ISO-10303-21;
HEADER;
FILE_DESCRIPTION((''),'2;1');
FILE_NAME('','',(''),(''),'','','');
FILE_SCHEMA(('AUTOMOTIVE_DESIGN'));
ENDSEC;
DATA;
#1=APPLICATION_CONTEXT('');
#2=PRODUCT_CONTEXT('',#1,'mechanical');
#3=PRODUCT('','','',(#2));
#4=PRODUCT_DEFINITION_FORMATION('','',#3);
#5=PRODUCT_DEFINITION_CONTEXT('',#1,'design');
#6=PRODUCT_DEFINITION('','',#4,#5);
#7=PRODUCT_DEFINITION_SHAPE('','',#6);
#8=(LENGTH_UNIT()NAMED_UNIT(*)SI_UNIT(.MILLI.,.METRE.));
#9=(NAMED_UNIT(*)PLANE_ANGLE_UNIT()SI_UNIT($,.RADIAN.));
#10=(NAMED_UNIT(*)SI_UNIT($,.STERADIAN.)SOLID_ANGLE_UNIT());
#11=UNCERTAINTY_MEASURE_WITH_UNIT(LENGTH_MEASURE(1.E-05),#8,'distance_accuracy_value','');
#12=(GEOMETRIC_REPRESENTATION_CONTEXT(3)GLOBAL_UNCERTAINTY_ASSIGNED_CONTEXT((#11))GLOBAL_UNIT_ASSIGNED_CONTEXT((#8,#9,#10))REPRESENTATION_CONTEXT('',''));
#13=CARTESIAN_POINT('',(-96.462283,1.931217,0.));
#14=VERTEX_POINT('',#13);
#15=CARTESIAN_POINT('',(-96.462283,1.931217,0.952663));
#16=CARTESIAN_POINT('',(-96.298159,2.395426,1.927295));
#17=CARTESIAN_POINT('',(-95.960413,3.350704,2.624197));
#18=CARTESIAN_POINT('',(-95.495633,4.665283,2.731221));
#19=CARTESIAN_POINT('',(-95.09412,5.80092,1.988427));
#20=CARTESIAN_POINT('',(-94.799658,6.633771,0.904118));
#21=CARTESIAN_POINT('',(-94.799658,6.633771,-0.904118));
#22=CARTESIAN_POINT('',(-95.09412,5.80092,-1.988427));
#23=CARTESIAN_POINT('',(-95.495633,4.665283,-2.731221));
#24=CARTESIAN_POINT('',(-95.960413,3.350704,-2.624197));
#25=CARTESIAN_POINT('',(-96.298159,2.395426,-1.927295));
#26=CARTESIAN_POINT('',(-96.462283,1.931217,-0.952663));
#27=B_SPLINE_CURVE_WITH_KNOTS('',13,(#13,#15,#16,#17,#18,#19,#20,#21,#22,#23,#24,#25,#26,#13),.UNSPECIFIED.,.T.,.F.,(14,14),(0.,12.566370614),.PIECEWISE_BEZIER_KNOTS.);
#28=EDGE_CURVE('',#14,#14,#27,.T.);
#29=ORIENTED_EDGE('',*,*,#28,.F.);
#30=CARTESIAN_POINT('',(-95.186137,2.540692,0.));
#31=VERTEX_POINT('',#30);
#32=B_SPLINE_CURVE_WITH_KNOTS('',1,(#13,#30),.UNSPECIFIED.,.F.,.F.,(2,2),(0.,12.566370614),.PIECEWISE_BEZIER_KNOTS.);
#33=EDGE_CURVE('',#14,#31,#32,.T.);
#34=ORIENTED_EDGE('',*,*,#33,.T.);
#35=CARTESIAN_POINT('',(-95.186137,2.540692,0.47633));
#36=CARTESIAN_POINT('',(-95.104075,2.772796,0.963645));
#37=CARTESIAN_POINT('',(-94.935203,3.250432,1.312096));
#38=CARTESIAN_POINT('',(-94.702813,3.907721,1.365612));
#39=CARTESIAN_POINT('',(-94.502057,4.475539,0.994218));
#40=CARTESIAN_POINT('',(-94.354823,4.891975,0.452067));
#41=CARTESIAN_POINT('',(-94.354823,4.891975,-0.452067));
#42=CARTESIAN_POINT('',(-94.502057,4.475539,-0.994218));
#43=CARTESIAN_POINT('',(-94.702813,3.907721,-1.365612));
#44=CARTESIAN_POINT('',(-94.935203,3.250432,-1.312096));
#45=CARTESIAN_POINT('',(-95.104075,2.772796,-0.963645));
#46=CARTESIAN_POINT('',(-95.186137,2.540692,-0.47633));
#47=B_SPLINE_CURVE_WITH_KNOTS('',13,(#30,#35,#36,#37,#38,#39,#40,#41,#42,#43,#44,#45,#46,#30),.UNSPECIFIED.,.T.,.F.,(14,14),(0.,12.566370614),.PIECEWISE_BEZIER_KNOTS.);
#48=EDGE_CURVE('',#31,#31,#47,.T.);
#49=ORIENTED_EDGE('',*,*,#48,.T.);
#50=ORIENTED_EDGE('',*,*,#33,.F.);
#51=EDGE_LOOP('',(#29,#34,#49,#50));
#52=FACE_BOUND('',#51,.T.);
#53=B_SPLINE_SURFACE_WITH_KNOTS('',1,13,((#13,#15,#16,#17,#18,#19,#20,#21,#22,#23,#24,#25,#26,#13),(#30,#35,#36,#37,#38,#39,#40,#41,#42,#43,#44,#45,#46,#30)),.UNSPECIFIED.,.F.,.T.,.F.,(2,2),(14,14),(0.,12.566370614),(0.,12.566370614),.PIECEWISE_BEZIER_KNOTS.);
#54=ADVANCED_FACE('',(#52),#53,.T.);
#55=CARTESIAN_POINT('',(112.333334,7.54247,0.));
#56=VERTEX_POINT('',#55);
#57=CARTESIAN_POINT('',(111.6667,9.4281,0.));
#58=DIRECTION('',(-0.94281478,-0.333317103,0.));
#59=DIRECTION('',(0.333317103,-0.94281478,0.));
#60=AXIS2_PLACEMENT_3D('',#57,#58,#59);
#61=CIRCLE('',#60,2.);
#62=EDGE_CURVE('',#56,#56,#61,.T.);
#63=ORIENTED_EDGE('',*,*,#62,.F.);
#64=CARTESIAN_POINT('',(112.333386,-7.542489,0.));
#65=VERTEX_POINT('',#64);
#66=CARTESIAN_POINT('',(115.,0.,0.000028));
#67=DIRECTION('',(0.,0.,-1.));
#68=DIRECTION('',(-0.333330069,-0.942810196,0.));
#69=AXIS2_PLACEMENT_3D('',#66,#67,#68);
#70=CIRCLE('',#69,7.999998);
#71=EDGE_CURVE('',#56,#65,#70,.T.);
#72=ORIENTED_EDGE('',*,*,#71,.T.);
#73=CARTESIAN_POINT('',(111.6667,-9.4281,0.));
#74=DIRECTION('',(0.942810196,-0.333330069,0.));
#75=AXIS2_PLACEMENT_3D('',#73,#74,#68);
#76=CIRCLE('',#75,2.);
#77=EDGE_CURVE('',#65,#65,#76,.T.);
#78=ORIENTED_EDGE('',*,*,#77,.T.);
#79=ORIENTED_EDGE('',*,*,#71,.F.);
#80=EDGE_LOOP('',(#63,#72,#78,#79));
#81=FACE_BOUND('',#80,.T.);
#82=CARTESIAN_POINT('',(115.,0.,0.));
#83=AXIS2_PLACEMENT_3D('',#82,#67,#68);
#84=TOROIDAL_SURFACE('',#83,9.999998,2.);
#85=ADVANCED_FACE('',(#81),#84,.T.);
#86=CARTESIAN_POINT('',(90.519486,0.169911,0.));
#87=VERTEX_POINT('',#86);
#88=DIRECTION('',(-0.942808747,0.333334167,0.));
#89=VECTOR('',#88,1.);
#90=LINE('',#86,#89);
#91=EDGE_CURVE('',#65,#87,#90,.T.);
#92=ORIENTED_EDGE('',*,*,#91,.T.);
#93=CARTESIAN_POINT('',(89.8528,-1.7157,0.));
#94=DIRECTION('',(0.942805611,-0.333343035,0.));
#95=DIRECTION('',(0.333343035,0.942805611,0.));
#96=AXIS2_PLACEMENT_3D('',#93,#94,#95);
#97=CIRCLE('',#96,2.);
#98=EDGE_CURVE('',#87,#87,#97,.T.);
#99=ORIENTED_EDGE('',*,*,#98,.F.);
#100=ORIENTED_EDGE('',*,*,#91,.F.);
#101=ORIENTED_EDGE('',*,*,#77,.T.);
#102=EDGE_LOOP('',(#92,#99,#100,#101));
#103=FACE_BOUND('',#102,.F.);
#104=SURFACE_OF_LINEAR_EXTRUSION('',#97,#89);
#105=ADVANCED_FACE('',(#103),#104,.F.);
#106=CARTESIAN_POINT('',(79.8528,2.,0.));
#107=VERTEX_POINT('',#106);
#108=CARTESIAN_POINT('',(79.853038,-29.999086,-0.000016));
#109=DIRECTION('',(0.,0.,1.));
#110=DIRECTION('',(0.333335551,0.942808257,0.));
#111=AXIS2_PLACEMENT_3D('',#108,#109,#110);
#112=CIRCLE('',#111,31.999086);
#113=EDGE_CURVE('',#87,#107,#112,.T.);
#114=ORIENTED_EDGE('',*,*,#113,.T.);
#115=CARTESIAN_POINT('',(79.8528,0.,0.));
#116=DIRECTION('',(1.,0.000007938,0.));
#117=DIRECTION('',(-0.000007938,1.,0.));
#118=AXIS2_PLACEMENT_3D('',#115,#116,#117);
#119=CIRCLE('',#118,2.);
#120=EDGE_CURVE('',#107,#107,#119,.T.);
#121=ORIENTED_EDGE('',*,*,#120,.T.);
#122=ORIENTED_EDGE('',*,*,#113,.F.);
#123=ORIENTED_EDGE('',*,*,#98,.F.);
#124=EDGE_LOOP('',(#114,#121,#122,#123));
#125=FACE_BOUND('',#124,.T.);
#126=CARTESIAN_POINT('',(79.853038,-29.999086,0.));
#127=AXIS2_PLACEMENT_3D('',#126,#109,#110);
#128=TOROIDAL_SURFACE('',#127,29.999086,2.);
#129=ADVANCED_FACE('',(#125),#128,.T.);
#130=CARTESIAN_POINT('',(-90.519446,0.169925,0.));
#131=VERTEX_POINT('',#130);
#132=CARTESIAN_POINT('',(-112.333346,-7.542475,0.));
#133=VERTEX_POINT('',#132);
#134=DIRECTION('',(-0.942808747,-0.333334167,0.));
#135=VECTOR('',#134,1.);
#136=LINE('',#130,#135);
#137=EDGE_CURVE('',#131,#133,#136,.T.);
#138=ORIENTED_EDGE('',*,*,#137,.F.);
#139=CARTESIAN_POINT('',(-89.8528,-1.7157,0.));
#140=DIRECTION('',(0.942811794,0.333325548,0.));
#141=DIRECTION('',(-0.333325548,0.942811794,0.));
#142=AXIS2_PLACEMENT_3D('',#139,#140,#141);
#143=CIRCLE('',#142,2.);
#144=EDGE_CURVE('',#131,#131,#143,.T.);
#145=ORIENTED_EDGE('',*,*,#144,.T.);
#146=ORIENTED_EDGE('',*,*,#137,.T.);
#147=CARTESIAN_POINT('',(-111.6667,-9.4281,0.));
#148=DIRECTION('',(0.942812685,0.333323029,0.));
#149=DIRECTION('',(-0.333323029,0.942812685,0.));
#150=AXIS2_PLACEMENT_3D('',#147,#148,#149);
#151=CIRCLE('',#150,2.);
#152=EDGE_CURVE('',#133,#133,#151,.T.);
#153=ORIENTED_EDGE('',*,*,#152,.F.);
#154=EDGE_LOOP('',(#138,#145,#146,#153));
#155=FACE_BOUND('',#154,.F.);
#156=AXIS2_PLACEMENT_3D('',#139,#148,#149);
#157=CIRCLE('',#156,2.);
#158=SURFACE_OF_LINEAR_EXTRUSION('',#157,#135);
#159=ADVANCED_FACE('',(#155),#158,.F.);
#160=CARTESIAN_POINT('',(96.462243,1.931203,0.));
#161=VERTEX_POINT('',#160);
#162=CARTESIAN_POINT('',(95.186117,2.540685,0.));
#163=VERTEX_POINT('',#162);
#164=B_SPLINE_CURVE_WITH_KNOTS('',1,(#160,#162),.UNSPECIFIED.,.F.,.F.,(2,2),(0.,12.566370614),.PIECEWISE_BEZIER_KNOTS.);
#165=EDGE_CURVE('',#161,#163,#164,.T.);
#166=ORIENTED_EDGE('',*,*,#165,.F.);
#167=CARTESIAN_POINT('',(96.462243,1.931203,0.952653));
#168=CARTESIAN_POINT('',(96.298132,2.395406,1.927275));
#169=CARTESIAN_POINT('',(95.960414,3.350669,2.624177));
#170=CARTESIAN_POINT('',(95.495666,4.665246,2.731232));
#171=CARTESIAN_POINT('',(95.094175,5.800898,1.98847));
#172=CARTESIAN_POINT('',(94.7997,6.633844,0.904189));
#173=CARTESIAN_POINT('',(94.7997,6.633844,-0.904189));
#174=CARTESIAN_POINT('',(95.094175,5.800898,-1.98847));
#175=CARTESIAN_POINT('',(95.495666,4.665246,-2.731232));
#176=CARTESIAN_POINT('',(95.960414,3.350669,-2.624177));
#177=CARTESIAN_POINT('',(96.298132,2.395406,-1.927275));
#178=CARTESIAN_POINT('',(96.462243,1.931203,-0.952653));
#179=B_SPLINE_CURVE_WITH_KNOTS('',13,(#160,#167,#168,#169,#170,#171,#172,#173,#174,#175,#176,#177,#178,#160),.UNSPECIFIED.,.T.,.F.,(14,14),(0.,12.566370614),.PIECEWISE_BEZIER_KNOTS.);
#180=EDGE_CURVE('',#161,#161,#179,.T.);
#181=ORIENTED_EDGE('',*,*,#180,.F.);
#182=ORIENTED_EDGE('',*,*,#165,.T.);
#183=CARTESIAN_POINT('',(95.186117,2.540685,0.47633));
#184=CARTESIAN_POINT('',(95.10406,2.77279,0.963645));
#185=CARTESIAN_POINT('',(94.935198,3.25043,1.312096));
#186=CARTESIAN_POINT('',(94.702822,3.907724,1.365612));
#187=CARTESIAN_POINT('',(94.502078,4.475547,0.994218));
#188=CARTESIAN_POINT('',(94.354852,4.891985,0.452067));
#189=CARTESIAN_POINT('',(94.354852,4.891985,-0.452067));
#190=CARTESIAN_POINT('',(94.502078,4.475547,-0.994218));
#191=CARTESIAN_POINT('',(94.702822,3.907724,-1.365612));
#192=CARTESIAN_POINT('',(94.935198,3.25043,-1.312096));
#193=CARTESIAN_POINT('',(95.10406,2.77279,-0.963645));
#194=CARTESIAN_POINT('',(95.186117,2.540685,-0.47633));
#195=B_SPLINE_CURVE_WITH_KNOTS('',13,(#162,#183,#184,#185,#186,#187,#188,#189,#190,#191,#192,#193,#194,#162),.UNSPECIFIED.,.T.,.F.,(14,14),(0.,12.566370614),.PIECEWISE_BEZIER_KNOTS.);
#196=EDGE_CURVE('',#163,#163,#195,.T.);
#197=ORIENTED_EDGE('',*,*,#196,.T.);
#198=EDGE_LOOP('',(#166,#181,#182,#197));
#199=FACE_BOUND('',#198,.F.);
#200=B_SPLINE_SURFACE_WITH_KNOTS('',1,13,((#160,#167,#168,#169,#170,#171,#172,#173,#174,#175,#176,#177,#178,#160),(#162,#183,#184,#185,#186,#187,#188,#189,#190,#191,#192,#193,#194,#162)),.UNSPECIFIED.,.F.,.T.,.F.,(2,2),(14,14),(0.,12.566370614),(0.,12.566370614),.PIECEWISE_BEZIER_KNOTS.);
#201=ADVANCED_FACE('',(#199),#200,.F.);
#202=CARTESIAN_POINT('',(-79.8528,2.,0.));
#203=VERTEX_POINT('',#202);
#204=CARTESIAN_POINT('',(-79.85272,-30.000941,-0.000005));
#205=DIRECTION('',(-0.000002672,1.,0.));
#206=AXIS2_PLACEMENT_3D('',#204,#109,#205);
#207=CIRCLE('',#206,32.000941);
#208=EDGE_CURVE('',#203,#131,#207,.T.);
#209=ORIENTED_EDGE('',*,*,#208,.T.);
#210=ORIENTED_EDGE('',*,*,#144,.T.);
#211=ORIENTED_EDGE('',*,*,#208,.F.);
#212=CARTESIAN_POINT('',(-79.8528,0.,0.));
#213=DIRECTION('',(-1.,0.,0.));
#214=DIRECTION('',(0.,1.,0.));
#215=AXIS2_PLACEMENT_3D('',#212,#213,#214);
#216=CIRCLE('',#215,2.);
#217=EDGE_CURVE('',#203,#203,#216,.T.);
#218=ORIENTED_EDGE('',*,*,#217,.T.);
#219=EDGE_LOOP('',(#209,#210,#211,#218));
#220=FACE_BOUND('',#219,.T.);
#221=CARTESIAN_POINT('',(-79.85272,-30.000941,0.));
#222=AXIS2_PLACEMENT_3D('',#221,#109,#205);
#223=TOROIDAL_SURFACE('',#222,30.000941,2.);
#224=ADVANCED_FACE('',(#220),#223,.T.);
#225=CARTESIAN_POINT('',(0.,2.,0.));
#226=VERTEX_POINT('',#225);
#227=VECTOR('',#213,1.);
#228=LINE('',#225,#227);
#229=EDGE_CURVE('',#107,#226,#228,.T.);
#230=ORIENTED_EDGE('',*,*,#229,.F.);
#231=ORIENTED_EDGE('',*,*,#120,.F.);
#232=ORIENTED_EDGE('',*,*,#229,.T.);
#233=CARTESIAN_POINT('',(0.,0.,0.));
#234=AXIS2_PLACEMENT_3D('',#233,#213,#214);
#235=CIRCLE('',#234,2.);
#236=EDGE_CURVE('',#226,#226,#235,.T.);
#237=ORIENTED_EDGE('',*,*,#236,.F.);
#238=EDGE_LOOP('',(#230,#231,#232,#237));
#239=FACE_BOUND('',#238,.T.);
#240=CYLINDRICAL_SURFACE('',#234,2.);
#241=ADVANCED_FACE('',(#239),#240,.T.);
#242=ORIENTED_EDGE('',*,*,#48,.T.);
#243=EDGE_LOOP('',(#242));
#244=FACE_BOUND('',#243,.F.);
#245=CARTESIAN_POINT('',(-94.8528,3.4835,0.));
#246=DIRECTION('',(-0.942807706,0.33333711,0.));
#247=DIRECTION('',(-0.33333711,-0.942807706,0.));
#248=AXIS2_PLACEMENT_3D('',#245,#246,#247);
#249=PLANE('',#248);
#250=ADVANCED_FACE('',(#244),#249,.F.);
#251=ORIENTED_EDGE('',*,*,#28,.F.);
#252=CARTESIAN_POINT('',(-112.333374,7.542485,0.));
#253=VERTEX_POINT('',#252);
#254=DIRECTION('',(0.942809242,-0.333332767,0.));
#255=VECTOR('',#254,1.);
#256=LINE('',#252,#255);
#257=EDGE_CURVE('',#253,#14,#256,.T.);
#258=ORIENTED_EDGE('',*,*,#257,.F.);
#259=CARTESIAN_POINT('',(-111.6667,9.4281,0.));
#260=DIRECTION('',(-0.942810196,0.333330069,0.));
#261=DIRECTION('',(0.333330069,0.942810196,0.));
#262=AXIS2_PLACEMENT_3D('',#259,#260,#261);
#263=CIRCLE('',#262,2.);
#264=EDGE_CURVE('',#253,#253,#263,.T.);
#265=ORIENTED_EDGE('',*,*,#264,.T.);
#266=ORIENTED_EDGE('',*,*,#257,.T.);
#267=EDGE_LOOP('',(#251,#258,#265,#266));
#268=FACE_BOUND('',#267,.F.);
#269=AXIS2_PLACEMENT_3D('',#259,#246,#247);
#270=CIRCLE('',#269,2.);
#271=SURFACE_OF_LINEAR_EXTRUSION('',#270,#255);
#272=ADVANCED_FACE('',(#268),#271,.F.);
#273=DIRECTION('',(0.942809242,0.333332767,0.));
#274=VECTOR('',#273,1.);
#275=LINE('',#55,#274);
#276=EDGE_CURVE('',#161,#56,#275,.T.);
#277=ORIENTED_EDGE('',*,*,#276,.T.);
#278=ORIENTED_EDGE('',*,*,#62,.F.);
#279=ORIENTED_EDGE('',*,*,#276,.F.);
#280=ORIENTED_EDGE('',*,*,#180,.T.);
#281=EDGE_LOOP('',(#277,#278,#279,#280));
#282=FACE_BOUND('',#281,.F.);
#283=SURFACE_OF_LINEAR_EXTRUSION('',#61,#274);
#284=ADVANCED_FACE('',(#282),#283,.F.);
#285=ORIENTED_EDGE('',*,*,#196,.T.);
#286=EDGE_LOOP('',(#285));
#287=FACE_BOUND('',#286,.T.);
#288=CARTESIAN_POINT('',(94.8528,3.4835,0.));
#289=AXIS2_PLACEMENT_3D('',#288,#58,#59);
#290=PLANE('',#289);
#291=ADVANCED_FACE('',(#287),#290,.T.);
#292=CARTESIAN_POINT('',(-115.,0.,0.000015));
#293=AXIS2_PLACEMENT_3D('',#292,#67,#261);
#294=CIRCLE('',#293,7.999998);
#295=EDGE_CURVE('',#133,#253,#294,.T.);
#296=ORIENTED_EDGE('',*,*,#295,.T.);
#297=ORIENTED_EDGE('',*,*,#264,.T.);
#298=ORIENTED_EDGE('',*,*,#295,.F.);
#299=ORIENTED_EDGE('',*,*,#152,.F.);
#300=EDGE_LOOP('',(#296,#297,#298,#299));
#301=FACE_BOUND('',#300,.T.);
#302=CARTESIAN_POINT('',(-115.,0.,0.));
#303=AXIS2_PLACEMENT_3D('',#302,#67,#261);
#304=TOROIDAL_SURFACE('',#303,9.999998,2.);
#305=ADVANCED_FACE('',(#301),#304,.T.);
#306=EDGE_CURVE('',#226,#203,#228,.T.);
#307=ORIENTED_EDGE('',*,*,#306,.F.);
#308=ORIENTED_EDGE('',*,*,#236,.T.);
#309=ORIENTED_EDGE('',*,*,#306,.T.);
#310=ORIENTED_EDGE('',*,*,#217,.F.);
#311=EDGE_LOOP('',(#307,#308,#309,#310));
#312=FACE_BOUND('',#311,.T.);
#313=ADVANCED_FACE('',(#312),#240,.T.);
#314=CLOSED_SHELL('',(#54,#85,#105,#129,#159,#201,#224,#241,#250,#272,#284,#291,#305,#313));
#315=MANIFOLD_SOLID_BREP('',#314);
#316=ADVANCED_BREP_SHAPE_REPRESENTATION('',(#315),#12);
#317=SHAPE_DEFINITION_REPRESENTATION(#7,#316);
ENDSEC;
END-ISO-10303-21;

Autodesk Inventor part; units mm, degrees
ref_plane "YZ Plane" through (0, 0, 0) normal (1, 0, 0) x (0, 1, 0)
ref_plane "XZ Plane" through (0, 0, 0) normal (0, 1, 0) x (-1, 0, 0)
ref_plane "XY Plane" through (0, 0, 0) normal (0, 0, 1) x (1, 0, 0)
sketch "Sketch1" plane through (0, 0, 0) normal (0, 0, 1) x (1, 0, 0)
  line L0 (0, 0) -> (-79.8528, 0)
  line L1 (-89.8528, -1.7157) -> (-111.6667, -9.4281)
  arc A0 (-111.6667, 9.4281) -> (-111.6667, -9.4281) centre (-115, 0) ccw
  line L2 (-111.6667, 9.4281) -> (-94.8528, 3.4835)
  arc A1 (-79.8528, 0) -> (-89.8528, -1.7157) centre (-79.8528, -30) ccw
  line L3 (0, 0) -> (0, 44.256) construction
  line L4 (0, 0) -> (79.8528, 0)
  line L5 (89.8528, -1.7157) -> (111.6667, -9.4281)
  arc A2 (111.6667, -9.4281) -> (111.6667, 9.4281) centre (115, 0) ccw
  line L6 (111.6667, 9.4281) -> (94.8528, 3.4835)
  arc A3 (89.8528, -1.7157) -> (79.8528, 0) centre (79.8528, -30) ccw
  point P0 (-85, 0)
  point P1 (85, 0)
  dimension "d0" = 85
  dimension "d1" = 30
  dimension "d2" = 30
  dimension "d3" = 10
  dimension "d4" = 15
  dimension "d5" = 160.529
  dimension "d6" = 160.529
sketch "Sketch2" plane through (0, 0, 0) normal (1, 0, 0) x (0, 1, 0)
  circle A0 centre (0, 0) radius 2
  dimension "d7" = 4
sweep "Sweep1" add profiles "Sketch2" path "Sketch1"
chamfer "Chamfer1" distance 1 angle 45 11 edges at (94.1861, 5.3691, 0) (111, 11.3137, 0) (111, -11.3137, 0) (89.1861, -3.6013, 0) (79.8528, -2, 0) (0, -2, 0) (-79.8528, -2, 0) (-89.1861, -3.6013, 0) (-111, -11.3137, 0) (-111, 11.3137, 0) (-94.1861, 5.3691, 0)
equation "\"d6\" = d5"
properties part number "Rebar type 1" material "Steel"
